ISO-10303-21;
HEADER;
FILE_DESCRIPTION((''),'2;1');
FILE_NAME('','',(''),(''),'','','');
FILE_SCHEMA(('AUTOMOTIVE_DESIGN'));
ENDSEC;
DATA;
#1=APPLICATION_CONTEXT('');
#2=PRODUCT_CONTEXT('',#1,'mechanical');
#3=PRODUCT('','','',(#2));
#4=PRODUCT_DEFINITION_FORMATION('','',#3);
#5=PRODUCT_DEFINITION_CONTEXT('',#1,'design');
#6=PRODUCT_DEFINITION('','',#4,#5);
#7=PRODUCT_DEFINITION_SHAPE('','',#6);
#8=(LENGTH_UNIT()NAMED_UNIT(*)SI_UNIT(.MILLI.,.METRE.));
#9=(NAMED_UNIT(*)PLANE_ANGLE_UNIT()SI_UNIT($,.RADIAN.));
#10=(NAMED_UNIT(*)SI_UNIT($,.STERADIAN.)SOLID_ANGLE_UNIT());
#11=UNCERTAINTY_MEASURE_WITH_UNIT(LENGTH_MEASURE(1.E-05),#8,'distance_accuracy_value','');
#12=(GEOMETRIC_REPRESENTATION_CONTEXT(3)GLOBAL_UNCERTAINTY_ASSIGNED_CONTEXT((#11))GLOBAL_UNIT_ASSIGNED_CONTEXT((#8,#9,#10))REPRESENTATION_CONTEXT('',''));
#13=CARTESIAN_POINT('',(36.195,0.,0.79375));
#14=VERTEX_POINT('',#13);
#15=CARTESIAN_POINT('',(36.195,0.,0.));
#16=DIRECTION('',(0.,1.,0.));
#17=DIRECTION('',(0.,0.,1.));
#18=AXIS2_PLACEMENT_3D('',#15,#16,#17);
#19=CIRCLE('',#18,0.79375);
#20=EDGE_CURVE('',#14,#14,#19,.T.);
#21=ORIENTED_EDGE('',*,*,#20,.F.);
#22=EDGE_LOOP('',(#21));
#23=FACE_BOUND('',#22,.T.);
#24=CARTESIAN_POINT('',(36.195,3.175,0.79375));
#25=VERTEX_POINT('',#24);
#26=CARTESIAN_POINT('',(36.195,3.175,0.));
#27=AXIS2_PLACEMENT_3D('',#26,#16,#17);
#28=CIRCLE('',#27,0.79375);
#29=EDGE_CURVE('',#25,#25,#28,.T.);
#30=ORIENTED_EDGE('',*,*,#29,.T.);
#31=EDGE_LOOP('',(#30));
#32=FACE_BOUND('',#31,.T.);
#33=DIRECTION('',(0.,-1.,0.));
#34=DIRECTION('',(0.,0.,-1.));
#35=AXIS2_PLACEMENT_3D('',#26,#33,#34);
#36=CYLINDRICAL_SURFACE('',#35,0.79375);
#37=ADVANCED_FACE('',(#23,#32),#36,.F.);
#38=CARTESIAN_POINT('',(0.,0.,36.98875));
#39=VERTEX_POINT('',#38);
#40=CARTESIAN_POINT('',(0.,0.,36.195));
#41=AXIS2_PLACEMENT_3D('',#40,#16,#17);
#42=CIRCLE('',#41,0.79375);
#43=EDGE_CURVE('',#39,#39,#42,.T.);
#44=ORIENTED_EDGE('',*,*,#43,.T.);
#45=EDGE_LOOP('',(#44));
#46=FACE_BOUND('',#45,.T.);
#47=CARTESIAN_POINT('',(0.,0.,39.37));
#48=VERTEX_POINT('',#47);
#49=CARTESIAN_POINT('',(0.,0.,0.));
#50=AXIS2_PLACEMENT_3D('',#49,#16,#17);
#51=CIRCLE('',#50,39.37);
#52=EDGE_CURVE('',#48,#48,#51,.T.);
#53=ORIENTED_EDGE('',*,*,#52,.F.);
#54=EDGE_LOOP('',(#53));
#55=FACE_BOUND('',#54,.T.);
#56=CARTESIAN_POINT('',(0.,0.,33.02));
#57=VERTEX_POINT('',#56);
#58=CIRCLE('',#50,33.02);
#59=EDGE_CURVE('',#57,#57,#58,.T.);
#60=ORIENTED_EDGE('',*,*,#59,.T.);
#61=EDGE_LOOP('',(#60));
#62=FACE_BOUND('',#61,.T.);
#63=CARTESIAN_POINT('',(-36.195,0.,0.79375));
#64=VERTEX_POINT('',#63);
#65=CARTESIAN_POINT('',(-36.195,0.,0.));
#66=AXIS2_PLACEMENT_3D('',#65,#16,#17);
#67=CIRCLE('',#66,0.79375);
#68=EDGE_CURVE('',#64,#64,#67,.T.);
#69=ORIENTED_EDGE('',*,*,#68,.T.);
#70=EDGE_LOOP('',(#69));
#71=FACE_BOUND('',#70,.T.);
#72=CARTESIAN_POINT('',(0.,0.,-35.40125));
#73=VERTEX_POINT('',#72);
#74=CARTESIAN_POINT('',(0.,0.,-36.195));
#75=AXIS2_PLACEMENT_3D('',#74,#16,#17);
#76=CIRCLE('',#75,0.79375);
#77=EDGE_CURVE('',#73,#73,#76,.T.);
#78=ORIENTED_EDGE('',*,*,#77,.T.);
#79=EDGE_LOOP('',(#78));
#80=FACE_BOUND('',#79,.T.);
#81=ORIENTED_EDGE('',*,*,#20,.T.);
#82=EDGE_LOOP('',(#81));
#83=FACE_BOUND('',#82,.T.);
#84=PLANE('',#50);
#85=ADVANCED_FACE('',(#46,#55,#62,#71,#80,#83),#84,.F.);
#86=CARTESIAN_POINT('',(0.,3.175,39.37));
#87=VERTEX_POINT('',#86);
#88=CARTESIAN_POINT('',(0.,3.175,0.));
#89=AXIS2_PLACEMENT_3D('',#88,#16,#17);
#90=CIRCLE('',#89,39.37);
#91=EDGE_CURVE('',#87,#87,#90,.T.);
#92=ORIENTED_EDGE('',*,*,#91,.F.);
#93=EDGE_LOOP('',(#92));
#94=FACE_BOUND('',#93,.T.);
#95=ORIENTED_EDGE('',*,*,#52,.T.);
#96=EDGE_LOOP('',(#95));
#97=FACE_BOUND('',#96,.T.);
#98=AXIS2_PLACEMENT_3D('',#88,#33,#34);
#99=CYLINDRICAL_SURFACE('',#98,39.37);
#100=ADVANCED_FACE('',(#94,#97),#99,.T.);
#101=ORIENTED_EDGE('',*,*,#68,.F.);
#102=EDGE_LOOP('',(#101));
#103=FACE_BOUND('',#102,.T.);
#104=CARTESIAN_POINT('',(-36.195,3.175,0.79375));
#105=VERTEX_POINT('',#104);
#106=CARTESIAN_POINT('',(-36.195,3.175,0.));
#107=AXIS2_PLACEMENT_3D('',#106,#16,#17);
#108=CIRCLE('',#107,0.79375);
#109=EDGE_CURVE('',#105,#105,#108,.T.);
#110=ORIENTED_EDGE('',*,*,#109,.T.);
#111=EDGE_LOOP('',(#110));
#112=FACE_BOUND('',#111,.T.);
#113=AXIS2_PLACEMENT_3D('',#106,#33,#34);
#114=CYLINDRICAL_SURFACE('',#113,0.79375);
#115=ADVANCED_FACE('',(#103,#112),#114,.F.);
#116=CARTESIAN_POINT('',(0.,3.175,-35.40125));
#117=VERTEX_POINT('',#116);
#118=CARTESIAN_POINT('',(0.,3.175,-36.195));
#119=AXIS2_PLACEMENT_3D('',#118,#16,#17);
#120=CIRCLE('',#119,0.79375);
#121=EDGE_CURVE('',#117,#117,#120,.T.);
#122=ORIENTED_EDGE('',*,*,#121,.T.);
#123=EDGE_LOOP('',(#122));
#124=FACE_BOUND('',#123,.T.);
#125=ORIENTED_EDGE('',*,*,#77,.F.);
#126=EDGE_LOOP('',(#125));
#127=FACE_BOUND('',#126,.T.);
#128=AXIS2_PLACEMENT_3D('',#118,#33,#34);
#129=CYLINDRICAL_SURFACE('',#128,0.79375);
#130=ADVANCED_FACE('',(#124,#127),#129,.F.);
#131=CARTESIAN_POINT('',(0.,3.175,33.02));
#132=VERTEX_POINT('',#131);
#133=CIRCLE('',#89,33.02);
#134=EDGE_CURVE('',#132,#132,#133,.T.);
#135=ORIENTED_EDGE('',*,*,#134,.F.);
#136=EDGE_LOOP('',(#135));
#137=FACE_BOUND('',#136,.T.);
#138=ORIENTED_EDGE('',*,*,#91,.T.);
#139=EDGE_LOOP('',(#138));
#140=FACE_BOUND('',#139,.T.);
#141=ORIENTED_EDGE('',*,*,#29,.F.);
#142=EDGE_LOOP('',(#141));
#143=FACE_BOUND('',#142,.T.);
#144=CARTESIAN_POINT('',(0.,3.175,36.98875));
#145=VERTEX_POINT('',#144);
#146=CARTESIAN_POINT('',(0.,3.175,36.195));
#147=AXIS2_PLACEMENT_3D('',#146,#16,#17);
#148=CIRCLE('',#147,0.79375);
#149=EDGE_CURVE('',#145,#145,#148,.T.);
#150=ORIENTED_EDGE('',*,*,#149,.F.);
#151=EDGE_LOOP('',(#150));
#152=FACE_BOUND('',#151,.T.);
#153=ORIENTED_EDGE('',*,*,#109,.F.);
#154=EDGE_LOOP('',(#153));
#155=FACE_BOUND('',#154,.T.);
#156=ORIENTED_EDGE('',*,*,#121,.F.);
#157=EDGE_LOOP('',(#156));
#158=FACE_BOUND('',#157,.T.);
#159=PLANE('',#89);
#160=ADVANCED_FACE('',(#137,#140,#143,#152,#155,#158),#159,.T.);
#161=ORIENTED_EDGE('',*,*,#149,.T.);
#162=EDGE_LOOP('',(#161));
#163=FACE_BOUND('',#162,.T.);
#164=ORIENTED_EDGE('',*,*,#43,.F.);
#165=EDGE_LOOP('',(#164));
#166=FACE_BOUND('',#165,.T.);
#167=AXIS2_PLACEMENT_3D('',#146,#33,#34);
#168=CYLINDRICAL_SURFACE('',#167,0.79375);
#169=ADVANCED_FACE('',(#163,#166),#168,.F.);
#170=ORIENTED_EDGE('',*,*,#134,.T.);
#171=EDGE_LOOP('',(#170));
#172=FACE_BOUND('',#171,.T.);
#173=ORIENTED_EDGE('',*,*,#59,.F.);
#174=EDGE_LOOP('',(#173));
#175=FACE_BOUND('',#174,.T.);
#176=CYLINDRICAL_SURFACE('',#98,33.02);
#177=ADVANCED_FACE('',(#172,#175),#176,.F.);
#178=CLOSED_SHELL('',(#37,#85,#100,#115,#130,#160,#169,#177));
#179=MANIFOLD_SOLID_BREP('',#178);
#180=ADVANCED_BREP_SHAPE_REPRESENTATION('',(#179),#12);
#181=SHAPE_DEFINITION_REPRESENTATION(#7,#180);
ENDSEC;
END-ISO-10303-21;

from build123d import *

# Parameters (mm, degrees)
SKETCH1_R           = 39.37
SKETCH1_R_2         = 33.02
SKETCH1_R_3         = 0.79375
BOSS_EXTRUDE1_DEPTH = 3.175


with BuildPart() as part:
    # Sketch1 → Boss-Extrude1 (new body)
    with BuildSketch(Plane(origin=(0, 0, 0), x_dir=(1, 0, 0), z_dir=(0, 1, 0))):
        Circle(SKETCH1_R)
        Circle(SKETCH1_R_2, mode=Mode.SUBTRACT)
        with Locations((36.195, 0)):
            Circle(SKETCH1_R_3, mode=Mode.SUBTRACT)
        with Locations((0, -36.195)):
            Circle(SKETCH1_R_3, mode=Mode.SUBTRACT)
        with Locations((-36.195, 0)):
            Circle(SKETCH1_R_3, mode=Mode.SUBTRACT)
        with Locations((0, 36.195)):
            Circle(SKETCH1_R_3, mode=Mode.SUBTRACT)
    extrude(amount=BOSS_EXTRUDE1_DEPTH)


solid = part.part
